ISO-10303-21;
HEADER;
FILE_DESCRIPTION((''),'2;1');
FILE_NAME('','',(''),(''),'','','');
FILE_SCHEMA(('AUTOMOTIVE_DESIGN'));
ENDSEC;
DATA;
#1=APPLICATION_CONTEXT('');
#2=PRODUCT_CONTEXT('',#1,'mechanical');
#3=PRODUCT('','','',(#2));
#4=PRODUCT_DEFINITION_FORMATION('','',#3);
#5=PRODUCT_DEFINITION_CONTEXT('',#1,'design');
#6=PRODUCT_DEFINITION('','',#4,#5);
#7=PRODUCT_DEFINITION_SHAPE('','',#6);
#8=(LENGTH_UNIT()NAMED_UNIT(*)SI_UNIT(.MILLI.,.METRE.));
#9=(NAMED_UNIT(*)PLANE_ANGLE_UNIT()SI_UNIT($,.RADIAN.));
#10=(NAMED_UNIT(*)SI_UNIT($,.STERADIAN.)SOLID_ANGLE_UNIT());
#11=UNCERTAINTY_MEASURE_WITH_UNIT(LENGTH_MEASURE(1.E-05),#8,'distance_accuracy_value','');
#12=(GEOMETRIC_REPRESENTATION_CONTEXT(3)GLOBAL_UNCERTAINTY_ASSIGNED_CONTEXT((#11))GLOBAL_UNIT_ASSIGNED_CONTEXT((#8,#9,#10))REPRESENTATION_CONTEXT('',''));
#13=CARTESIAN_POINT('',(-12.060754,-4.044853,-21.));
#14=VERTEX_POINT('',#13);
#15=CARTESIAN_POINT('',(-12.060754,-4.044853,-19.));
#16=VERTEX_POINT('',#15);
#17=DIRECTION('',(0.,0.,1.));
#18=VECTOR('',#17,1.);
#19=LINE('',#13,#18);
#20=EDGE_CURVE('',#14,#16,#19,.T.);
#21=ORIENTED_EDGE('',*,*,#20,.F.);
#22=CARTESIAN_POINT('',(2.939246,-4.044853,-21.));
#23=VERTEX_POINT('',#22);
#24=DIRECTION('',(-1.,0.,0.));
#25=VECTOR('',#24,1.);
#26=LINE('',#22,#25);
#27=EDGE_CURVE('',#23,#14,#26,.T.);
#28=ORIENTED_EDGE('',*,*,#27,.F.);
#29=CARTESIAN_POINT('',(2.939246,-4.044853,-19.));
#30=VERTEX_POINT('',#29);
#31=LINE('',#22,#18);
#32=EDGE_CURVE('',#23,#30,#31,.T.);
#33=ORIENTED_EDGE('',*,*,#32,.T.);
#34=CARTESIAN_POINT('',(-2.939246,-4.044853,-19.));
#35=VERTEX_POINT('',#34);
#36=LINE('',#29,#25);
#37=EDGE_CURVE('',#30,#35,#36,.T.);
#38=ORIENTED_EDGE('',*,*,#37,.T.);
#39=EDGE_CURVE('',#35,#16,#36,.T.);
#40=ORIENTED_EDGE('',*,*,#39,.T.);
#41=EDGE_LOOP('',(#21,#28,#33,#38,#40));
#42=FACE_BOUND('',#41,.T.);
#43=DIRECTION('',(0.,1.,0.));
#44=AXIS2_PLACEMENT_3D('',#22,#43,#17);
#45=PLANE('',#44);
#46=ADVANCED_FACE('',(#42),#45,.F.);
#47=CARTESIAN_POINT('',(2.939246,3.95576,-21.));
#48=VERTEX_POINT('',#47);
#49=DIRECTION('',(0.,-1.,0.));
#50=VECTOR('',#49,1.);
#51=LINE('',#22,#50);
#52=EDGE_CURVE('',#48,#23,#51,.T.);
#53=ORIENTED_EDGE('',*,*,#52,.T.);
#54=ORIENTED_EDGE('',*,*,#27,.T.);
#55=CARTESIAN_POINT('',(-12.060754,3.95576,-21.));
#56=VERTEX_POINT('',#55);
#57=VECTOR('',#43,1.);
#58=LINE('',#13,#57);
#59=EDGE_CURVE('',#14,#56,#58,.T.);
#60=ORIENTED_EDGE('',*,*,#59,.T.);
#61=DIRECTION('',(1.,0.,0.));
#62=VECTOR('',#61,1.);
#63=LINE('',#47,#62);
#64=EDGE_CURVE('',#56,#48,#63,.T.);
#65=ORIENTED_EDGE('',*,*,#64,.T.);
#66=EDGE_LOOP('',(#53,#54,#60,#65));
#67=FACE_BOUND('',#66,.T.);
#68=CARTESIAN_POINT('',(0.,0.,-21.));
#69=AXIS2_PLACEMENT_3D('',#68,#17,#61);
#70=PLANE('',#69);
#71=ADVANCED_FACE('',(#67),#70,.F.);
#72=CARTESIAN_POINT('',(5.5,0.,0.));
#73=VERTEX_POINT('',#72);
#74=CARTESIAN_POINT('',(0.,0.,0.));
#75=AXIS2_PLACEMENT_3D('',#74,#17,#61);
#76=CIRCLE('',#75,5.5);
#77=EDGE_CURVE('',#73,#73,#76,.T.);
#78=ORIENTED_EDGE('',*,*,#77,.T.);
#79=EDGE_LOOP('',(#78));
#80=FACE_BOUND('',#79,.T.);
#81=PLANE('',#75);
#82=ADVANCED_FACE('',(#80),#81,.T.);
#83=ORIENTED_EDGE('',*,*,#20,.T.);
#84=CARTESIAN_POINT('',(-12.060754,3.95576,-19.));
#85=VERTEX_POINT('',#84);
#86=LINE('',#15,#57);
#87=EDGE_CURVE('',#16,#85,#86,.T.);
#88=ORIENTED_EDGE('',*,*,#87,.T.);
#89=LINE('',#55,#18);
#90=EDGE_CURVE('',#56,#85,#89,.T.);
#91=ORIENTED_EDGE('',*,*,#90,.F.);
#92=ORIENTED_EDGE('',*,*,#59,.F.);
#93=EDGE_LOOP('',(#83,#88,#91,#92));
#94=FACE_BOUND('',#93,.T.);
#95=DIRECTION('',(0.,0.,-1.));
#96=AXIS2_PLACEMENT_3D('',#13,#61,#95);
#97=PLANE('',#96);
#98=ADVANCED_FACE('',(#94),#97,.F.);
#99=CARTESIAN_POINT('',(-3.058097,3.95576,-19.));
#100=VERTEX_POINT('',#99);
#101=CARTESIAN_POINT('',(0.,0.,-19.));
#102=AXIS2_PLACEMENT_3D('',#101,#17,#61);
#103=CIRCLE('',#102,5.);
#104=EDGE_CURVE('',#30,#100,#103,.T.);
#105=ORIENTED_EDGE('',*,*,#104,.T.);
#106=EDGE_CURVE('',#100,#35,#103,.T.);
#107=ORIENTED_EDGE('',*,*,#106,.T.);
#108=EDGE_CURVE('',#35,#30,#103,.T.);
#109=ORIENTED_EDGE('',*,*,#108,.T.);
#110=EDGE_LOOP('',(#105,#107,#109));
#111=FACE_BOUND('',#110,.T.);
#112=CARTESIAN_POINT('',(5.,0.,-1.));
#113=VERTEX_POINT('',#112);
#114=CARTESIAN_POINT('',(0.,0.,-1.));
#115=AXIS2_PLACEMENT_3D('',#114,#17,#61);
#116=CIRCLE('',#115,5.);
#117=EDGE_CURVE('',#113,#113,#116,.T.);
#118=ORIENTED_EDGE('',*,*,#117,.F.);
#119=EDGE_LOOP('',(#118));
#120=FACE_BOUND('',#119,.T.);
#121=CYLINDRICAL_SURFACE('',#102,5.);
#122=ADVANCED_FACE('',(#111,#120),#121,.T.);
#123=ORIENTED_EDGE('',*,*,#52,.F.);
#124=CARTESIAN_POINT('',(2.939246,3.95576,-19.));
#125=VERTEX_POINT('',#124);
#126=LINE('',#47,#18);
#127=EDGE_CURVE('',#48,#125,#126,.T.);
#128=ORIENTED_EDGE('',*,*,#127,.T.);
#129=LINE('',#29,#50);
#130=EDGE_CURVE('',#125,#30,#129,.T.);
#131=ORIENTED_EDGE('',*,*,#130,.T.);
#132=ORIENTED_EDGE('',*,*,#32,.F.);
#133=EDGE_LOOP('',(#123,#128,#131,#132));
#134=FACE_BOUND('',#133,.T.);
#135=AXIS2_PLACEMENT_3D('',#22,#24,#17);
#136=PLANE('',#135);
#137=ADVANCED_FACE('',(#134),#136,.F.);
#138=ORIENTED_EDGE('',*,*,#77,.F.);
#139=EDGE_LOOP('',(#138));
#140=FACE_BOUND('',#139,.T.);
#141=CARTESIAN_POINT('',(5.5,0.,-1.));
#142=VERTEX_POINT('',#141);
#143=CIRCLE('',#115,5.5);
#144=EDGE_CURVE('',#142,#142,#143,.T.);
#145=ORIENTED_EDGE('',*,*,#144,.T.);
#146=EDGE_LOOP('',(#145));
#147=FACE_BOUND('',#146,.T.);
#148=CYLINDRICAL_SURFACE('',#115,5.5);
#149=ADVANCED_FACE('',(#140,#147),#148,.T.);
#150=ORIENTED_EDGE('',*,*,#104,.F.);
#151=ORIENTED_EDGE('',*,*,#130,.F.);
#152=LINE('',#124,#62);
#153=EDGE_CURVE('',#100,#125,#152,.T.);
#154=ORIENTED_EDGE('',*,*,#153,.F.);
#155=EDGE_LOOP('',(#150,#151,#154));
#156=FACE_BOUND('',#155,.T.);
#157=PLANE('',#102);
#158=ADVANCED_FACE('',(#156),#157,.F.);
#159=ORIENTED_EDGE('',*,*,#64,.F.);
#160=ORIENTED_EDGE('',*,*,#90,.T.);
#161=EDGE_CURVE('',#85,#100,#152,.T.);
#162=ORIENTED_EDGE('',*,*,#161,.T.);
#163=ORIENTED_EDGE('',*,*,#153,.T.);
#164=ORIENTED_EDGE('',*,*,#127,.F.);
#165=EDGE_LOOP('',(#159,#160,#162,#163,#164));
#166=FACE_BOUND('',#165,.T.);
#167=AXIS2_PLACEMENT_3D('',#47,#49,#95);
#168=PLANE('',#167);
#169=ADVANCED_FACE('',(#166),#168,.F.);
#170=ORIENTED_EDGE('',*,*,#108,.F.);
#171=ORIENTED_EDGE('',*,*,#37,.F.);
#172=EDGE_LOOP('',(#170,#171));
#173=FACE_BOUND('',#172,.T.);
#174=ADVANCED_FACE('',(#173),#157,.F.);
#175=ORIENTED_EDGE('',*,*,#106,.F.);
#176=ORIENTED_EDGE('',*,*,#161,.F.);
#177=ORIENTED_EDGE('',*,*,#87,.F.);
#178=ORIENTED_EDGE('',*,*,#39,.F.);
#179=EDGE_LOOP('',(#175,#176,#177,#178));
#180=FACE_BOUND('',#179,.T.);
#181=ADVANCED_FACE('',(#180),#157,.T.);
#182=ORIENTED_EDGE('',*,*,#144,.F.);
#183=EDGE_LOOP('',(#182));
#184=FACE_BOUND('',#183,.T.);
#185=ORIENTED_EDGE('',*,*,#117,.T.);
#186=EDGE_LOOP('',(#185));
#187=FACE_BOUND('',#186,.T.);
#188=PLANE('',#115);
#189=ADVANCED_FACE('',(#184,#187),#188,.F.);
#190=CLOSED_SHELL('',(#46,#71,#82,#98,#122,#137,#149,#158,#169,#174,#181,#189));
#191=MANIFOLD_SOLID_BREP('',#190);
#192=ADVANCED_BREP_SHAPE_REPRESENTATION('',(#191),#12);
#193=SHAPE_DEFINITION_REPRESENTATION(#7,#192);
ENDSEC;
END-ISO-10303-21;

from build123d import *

# Parameters (mm, degrees)
ESQUISSE1_R        = 5.5
ESQUISSE1_R_2      = 5
BOSS_EXTRU_1_DEPTH = 1
ESQUISSE4_R        = 5
BOSS_EXTRU_2_DEPTH = 19
ESQUISSE5_W        = 15
ESQUISSE5_H        = 8.000613173
BOSS_EXTRU_3_DEPTH = 2


with BuildPart() as part:
    # Esquisse1 → Boss.-Extru.1 (new body)
    with BuildSketch(Plane.XY):
        Circle(ESQUISSE1_R)
        Circle(ESQUISSE1_R_2, mode=Mode.SUBTRACT)
    extrude(amount=-BOSS_EXTRU_1_DEPTH)

    # Esquisse4 → Boss.-Extru.2 (add)
    with BuildSketch(Plane.XY):
        Circle(ESQUISSE4_R)
    extrude(amount=-BOSS_EXTRU_2_DEPTH)

    # Esquisse5 → Boss.-Extru.3 (add)
    with BuildSketch(Plane(origin=(0, 0, -19), x_dir=(-1, 0, 0), z_dir=(0, 0, -1))):
        with Locations((4.560754253, -0.044546246)):
            Rectangle(ESQUISSE5_W, ESQUISSE5_H)
    extrude(amount=BOSS_EXTRU_3_DEPTH)


solid = part.part
